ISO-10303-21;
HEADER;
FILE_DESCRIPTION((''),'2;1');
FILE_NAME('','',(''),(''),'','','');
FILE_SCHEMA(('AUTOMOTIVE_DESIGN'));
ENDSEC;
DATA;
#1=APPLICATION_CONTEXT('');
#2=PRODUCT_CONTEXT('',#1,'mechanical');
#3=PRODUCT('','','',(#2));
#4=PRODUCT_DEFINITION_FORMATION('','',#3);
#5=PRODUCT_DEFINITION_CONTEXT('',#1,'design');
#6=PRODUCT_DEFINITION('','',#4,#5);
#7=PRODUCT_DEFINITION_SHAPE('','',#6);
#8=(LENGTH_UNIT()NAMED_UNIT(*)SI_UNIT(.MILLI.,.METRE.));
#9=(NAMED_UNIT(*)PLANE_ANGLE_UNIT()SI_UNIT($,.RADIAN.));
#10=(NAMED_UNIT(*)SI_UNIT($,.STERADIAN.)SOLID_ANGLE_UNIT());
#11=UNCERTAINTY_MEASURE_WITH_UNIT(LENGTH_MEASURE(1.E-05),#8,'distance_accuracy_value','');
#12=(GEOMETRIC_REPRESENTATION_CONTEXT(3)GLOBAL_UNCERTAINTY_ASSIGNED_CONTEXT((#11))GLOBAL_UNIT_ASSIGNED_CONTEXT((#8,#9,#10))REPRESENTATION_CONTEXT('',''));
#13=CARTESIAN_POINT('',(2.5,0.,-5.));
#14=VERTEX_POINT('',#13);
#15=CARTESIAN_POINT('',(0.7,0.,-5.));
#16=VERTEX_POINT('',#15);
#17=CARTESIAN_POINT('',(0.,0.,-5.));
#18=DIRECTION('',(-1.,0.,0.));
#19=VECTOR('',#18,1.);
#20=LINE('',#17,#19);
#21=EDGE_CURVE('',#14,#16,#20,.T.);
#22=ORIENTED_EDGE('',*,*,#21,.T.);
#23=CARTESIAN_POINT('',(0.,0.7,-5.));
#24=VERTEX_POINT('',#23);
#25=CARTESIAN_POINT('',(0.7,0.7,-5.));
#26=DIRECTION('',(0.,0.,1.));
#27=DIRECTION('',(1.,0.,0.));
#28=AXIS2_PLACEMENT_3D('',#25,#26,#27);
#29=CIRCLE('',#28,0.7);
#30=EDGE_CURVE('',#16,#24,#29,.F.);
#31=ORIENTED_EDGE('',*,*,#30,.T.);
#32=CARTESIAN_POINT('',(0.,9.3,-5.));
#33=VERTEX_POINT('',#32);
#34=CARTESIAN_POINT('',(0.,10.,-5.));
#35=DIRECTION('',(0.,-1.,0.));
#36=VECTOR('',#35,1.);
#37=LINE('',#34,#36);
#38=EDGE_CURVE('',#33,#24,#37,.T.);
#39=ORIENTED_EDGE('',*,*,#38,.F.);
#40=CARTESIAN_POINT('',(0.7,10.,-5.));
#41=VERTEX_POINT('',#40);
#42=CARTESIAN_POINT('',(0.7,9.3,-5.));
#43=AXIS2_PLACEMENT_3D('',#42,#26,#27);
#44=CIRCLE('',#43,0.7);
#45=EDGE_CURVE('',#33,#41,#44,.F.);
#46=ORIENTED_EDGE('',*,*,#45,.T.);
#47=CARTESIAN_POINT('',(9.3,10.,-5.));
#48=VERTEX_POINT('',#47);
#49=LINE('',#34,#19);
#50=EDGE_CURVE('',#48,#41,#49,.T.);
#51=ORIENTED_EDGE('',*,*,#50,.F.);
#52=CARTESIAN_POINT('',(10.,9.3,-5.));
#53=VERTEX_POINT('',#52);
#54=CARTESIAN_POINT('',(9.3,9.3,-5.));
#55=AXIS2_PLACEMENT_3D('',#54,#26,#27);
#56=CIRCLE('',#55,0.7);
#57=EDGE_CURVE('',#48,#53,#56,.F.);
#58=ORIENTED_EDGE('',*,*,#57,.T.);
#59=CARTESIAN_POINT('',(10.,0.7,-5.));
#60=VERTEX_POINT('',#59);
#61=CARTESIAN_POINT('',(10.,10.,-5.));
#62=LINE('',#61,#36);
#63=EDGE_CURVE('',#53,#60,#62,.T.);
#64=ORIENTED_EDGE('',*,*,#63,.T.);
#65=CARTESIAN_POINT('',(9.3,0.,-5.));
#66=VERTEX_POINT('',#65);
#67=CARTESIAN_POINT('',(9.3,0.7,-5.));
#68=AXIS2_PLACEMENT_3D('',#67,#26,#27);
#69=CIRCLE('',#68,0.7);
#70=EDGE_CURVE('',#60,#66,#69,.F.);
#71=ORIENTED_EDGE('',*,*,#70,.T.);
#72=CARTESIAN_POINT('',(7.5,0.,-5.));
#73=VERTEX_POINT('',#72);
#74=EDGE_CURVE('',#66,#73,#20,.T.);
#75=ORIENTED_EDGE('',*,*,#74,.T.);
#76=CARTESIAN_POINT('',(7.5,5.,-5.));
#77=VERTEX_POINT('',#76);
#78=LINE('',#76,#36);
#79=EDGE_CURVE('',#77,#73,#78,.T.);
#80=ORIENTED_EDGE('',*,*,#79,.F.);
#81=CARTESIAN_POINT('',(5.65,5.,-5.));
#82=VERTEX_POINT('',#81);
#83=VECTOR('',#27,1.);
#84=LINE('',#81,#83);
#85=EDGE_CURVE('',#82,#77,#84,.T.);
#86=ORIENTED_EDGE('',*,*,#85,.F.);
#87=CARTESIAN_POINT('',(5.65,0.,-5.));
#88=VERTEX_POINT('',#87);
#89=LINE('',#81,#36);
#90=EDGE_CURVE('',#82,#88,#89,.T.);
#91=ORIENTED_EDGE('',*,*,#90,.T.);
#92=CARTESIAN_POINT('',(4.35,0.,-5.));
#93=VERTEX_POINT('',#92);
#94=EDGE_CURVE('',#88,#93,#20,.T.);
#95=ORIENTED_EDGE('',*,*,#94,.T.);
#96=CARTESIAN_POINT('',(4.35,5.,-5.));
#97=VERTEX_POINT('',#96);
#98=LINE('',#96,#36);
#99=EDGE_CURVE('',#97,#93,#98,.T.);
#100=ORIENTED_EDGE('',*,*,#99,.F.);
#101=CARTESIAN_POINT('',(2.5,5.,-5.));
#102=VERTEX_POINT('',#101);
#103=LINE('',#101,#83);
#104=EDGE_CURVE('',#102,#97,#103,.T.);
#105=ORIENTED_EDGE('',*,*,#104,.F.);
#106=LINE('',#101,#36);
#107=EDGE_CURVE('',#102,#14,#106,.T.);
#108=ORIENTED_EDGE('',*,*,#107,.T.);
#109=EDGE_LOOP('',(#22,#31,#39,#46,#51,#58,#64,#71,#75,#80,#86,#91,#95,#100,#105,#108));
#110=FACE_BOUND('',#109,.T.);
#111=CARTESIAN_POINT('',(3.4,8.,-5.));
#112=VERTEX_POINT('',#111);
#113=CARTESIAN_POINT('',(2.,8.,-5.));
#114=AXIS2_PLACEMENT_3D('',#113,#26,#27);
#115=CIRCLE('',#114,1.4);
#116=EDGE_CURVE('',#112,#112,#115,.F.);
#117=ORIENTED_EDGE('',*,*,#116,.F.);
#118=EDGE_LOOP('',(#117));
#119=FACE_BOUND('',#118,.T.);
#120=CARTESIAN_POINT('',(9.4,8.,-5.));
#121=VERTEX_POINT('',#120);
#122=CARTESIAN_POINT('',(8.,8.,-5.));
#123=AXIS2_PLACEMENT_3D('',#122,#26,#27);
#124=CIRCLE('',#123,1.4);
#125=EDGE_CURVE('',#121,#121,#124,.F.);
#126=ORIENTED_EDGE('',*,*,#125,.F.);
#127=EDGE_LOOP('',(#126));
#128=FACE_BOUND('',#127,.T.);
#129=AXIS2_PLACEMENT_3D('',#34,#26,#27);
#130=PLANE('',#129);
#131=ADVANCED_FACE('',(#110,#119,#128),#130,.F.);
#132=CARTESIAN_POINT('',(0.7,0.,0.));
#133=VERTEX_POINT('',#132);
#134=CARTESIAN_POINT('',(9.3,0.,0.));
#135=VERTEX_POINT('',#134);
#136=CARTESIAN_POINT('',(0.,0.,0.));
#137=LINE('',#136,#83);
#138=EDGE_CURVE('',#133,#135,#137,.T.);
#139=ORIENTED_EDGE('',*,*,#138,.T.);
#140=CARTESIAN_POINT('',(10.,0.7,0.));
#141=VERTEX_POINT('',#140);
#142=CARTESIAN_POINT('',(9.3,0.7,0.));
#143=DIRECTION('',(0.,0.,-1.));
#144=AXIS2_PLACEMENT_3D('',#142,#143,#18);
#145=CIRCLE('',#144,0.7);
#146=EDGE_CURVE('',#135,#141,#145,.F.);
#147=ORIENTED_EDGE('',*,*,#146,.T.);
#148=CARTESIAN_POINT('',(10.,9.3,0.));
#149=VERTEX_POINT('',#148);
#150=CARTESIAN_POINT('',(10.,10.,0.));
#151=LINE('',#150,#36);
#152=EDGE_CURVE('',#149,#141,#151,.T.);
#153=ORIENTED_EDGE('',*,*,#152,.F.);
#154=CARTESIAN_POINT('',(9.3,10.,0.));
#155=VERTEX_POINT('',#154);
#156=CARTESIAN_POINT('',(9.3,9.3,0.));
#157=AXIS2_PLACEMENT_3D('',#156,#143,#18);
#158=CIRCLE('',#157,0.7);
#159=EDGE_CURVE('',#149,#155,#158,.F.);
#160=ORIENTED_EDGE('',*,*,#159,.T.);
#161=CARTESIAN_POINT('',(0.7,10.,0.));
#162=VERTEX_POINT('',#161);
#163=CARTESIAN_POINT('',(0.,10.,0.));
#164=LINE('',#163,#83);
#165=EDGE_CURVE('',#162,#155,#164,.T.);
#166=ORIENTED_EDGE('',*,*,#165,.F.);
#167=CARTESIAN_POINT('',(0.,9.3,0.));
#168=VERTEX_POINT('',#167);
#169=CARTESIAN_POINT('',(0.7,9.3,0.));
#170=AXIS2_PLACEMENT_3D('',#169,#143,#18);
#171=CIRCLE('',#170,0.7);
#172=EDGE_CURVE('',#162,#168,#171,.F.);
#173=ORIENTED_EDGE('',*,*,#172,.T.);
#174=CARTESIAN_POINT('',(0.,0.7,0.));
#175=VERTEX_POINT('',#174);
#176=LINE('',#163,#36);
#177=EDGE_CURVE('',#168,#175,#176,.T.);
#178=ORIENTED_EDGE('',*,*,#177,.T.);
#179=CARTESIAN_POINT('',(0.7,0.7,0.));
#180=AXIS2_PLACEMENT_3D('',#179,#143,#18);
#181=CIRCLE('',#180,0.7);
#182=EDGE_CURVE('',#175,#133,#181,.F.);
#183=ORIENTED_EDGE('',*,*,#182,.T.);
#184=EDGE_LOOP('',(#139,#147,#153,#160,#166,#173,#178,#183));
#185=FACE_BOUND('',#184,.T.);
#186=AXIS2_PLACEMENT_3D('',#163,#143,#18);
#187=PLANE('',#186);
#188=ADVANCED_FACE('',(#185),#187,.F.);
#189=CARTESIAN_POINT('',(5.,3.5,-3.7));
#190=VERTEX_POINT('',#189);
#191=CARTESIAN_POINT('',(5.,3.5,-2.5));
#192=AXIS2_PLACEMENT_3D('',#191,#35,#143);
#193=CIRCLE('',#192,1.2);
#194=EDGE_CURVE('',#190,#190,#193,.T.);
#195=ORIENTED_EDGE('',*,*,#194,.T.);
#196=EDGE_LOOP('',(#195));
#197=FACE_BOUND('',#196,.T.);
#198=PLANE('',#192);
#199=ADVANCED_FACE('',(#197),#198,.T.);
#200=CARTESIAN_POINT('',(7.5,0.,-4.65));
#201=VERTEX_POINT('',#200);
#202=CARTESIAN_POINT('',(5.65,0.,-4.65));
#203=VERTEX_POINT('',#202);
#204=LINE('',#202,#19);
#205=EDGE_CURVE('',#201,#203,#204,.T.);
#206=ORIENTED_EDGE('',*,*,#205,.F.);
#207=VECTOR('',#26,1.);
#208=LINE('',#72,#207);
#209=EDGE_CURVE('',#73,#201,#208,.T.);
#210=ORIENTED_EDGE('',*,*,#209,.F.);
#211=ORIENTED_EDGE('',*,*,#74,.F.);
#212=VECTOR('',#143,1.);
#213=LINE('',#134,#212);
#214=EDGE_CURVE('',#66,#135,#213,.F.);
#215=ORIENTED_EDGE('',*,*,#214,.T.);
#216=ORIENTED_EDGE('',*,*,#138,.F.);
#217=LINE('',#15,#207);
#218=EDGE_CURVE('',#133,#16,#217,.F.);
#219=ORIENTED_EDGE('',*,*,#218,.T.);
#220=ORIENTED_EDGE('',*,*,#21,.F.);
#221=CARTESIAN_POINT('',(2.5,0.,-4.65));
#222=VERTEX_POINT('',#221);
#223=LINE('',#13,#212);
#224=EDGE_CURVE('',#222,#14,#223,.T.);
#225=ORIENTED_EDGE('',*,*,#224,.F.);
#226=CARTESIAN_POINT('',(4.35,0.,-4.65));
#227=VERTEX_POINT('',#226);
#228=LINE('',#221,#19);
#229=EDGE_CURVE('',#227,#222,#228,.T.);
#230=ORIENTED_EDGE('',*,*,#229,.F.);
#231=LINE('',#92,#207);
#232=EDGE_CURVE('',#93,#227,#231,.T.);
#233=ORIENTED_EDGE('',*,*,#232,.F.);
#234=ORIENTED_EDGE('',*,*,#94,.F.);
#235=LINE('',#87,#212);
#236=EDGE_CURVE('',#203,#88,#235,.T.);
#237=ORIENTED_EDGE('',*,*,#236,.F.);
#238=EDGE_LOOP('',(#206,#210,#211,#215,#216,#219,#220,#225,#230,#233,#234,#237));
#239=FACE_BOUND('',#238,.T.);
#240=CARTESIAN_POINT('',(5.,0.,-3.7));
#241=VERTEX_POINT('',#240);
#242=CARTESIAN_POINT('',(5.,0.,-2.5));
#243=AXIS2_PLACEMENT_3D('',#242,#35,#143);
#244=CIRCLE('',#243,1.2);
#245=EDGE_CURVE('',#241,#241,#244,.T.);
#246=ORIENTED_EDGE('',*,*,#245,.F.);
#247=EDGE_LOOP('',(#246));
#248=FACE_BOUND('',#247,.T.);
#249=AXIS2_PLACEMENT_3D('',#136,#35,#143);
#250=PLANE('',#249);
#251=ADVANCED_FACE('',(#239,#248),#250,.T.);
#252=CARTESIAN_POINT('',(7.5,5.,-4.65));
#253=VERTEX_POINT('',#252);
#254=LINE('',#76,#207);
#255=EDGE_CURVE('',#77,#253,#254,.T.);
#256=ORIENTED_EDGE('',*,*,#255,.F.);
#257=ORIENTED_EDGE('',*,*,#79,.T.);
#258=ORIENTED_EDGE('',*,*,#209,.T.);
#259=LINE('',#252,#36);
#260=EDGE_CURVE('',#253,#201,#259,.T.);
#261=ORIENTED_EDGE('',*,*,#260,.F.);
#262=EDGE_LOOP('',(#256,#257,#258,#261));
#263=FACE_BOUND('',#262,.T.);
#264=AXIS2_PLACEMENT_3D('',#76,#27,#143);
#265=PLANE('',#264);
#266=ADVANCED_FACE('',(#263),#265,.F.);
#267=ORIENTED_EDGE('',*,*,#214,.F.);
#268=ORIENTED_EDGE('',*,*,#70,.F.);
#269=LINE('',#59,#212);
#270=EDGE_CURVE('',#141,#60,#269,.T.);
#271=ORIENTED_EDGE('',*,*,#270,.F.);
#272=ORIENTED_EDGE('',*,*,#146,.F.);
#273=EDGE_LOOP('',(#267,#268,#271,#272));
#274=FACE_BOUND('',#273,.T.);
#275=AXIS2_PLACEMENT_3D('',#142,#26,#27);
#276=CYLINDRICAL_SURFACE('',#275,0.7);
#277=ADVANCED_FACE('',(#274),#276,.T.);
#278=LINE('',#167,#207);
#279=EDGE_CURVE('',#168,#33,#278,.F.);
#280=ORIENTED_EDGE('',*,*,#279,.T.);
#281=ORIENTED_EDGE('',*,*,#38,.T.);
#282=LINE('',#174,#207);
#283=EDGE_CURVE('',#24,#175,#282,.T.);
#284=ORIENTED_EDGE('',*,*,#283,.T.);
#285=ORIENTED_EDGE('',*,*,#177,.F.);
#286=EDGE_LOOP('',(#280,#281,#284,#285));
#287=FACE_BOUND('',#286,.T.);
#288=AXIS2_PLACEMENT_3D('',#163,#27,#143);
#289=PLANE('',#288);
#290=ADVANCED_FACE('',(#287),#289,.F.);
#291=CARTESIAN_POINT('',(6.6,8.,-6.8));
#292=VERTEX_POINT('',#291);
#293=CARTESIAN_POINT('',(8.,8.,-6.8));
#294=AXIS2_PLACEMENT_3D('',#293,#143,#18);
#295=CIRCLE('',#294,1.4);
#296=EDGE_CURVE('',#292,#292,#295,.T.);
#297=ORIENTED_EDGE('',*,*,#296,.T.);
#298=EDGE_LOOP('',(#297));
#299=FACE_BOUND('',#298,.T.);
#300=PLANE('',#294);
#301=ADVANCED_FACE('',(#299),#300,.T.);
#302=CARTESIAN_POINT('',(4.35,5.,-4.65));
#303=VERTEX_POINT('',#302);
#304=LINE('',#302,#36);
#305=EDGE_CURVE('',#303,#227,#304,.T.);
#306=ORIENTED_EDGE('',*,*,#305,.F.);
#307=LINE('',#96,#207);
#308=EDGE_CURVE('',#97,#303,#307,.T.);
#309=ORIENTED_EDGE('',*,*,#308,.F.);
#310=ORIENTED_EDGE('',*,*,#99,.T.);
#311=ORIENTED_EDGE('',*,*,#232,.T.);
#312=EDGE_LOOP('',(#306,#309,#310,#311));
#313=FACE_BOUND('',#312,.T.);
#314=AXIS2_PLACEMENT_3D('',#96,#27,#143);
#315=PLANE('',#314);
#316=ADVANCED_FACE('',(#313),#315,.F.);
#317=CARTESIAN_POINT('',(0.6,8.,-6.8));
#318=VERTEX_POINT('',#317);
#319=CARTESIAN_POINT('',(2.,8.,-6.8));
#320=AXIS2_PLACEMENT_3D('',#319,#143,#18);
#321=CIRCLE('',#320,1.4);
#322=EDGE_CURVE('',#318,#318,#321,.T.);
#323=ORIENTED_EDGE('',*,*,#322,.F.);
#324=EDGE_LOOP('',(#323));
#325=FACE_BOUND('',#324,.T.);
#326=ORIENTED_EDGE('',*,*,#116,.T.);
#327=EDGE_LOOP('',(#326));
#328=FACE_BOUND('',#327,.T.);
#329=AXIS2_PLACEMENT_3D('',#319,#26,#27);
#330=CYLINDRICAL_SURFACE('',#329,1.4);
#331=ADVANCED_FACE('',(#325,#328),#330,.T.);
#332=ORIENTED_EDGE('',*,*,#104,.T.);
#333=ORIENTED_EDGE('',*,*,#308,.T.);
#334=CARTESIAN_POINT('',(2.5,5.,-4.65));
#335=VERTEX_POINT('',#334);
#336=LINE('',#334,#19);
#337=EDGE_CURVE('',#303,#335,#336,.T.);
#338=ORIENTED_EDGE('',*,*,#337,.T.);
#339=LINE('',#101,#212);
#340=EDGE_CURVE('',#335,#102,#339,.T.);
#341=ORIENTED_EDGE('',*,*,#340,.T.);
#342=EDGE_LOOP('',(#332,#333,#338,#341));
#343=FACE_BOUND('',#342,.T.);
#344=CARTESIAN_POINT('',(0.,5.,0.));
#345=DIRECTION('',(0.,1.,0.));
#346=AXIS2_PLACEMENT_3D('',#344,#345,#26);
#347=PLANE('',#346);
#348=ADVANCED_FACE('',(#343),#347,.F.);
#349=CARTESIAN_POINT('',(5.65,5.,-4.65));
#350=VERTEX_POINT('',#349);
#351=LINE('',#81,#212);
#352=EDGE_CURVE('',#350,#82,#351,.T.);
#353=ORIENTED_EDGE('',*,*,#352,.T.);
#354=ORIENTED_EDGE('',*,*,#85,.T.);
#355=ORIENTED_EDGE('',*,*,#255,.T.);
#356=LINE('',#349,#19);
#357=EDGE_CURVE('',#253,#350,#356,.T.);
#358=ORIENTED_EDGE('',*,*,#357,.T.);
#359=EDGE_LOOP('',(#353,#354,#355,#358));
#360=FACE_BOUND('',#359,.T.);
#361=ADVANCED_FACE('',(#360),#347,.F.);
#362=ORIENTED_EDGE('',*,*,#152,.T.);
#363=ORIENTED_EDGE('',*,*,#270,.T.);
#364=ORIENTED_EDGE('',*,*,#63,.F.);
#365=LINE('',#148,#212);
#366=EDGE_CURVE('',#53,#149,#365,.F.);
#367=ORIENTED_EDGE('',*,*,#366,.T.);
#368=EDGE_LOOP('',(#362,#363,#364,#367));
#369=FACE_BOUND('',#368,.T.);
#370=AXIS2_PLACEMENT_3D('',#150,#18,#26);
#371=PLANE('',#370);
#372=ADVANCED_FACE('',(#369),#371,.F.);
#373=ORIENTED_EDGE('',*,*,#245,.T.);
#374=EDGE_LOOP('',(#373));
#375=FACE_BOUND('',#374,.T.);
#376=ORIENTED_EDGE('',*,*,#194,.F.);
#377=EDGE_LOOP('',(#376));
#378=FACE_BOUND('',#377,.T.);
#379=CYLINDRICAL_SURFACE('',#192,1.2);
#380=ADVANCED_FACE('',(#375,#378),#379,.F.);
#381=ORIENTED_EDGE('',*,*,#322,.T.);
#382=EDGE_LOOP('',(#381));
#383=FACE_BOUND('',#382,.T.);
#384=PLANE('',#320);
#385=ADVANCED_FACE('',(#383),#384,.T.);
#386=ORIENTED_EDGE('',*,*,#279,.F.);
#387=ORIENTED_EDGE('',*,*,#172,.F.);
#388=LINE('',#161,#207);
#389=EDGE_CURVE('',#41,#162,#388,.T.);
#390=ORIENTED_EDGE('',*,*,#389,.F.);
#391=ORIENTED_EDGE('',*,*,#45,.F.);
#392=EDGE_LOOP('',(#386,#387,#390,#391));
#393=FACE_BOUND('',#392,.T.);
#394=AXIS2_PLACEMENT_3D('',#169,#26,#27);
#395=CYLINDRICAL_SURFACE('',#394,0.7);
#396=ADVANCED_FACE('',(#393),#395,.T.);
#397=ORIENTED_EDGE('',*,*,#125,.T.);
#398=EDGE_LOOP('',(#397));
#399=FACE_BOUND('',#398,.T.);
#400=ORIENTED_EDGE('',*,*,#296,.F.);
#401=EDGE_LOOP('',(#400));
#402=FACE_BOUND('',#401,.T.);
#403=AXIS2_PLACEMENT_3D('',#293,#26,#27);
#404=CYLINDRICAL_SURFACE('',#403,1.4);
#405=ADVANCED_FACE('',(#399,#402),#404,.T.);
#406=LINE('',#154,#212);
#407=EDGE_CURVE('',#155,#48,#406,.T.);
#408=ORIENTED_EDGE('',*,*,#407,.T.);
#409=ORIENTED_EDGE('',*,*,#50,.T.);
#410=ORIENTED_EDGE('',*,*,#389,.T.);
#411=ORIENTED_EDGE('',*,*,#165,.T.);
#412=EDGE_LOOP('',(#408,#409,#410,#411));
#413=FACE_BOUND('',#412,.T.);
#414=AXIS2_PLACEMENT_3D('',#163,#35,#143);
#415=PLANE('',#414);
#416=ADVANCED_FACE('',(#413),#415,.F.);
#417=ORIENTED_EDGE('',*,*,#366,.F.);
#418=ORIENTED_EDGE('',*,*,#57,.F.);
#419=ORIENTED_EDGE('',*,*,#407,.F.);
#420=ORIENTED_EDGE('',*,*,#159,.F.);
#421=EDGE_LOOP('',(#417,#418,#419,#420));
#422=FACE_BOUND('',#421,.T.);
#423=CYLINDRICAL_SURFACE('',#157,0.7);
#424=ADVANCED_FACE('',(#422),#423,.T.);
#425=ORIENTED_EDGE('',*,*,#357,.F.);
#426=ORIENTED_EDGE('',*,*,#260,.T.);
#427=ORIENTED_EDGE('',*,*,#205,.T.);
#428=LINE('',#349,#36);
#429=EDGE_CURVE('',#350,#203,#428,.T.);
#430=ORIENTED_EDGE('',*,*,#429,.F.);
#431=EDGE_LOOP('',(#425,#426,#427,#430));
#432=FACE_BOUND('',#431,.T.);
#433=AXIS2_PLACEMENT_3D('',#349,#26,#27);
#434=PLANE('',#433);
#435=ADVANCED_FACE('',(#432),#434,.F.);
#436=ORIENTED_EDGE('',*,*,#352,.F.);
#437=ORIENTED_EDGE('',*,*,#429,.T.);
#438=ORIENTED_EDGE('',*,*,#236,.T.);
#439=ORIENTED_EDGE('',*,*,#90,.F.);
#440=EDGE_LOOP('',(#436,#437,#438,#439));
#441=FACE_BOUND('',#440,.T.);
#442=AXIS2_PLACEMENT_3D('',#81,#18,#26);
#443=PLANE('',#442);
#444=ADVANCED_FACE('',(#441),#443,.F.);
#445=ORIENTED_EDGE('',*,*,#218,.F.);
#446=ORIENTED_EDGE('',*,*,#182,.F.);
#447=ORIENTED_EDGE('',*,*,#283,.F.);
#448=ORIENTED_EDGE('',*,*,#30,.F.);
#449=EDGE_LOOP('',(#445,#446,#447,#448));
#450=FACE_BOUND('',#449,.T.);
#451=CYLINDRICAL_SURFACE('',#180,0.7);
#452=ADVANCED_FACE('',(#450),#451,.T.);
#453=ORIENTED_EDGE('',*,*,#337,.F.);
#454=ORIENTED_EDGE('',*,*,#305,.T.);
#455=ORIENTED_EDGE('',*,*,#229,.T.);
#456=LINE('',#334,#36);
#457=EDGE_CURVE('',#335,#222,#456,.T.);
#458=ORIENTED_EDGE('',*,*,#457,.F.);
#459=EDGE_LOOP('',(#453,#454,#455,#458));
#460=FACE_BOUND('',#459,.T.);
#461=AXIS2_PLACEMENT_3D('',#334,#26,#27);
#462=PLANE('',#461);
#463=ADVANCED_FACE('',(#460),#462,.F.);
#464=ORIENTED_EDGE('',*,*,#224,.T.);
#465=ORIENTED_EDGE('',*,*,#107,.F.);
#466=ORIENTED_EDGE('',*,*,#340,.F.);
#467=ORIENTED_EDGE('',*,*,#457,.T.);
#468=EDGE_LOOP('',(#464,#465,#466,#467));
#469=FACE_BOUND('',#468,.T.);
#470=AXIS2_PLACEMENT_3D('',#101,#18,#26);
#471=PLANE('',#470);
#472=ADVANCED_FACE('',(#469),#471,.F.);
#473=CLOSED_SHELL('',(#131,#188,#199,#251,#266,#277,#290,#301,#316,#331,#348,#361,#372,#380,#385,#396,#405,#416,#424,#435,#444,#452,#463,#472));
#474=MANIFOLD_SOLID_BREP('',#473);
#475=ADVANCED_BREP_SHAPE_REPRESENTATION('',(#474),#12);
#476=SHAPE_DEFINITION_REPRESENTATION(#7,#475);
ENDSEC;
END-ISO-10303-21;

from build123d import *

# Parameters (mm, degrees)
SKETCH2_W           = 10
SKETCH2_H           = 5
BOSS_EXTRUDE2_DEPTH = 10
SKETCH3_R           = 1.4
BOSS_EXTRUDE3_DEPTH = 1.8
SKETCH4_W           = 1.85
SKETCH4_H           = 0.35
CUT_EXTRUDE1_DEPTH  = 5
SKETCH5_R           = 1.2
CUT_EXTRUDE2_DEPTH  = 3.5
FILLET1_R           = 0.7


with BuildPart() as part:
    # Sketch2 → Boss-Extrude2 (new body)
    with BuildSketch(Plane(origin=(0, 0, 0), x_dir=(1, 0, 0), z_dir=(0, 1, 0))):
        with Locations((5, 2.5)):
            Rectangle(SKETCH2_W, SKETCH2_H)
    extrude(amount=BOSS_EXTRUDE2_DEPTH)

    # Sketch3 → Boss-Extrude3 (add)
    with BuildSketch(Plane(origin=(0, 0, -5), x_dir=(-1, 0, 0), z_dir=(0, 0, -1))):
        with Locations(Location((-8, 8, 0), (0, 0, 180))):
            Circle(SKETCH3_R)
        with Locations(Location((-2, 8, 0), (0, 0, 180))):
            Circle(SKETCH3_R)
    extrude(amount=BOSS_EXTRUDE3_DEPTH)

    # Sketch4 → Cut-Extrude1 (cut)
    with BuildSketch(Plane.XZ):
        with Locations((3.425, -4.825)):
            Rectangle(SKETCH4_W, SKETCH4_H)
        with Locations((6.575, -4.825)):
            Rectangle(SKETCH4_W, SKETCH4_H)
    extrude(amount=-CUT_EXTRUDE1_DEPTH, mode=Mode.SUBTRACT)

    # Sketch5 → Cut-Extrude2 (cut)
    with BuildSketch(Plane.XZ):
        with Locations(Location((5, -2.5, 0), (0, 0, 270))):
            Circle(SKETCH5_R)
    extrude(amount=-CUT_EXTRUDE2_DEPTH, mode=Mode.SUBTRACT)

    # Fillet1
    fillet1_edges = [part.edges().sort_by_distance(p)[0] for p in [
        (10, 10, -2.5),
        (0, 10, -2.5),
        (10, 0, -2.5),
        (0, 0, -2.5),
    ]]
    fillet(fillet1_edges, radius=FILLET1_R)


solid = part.part
